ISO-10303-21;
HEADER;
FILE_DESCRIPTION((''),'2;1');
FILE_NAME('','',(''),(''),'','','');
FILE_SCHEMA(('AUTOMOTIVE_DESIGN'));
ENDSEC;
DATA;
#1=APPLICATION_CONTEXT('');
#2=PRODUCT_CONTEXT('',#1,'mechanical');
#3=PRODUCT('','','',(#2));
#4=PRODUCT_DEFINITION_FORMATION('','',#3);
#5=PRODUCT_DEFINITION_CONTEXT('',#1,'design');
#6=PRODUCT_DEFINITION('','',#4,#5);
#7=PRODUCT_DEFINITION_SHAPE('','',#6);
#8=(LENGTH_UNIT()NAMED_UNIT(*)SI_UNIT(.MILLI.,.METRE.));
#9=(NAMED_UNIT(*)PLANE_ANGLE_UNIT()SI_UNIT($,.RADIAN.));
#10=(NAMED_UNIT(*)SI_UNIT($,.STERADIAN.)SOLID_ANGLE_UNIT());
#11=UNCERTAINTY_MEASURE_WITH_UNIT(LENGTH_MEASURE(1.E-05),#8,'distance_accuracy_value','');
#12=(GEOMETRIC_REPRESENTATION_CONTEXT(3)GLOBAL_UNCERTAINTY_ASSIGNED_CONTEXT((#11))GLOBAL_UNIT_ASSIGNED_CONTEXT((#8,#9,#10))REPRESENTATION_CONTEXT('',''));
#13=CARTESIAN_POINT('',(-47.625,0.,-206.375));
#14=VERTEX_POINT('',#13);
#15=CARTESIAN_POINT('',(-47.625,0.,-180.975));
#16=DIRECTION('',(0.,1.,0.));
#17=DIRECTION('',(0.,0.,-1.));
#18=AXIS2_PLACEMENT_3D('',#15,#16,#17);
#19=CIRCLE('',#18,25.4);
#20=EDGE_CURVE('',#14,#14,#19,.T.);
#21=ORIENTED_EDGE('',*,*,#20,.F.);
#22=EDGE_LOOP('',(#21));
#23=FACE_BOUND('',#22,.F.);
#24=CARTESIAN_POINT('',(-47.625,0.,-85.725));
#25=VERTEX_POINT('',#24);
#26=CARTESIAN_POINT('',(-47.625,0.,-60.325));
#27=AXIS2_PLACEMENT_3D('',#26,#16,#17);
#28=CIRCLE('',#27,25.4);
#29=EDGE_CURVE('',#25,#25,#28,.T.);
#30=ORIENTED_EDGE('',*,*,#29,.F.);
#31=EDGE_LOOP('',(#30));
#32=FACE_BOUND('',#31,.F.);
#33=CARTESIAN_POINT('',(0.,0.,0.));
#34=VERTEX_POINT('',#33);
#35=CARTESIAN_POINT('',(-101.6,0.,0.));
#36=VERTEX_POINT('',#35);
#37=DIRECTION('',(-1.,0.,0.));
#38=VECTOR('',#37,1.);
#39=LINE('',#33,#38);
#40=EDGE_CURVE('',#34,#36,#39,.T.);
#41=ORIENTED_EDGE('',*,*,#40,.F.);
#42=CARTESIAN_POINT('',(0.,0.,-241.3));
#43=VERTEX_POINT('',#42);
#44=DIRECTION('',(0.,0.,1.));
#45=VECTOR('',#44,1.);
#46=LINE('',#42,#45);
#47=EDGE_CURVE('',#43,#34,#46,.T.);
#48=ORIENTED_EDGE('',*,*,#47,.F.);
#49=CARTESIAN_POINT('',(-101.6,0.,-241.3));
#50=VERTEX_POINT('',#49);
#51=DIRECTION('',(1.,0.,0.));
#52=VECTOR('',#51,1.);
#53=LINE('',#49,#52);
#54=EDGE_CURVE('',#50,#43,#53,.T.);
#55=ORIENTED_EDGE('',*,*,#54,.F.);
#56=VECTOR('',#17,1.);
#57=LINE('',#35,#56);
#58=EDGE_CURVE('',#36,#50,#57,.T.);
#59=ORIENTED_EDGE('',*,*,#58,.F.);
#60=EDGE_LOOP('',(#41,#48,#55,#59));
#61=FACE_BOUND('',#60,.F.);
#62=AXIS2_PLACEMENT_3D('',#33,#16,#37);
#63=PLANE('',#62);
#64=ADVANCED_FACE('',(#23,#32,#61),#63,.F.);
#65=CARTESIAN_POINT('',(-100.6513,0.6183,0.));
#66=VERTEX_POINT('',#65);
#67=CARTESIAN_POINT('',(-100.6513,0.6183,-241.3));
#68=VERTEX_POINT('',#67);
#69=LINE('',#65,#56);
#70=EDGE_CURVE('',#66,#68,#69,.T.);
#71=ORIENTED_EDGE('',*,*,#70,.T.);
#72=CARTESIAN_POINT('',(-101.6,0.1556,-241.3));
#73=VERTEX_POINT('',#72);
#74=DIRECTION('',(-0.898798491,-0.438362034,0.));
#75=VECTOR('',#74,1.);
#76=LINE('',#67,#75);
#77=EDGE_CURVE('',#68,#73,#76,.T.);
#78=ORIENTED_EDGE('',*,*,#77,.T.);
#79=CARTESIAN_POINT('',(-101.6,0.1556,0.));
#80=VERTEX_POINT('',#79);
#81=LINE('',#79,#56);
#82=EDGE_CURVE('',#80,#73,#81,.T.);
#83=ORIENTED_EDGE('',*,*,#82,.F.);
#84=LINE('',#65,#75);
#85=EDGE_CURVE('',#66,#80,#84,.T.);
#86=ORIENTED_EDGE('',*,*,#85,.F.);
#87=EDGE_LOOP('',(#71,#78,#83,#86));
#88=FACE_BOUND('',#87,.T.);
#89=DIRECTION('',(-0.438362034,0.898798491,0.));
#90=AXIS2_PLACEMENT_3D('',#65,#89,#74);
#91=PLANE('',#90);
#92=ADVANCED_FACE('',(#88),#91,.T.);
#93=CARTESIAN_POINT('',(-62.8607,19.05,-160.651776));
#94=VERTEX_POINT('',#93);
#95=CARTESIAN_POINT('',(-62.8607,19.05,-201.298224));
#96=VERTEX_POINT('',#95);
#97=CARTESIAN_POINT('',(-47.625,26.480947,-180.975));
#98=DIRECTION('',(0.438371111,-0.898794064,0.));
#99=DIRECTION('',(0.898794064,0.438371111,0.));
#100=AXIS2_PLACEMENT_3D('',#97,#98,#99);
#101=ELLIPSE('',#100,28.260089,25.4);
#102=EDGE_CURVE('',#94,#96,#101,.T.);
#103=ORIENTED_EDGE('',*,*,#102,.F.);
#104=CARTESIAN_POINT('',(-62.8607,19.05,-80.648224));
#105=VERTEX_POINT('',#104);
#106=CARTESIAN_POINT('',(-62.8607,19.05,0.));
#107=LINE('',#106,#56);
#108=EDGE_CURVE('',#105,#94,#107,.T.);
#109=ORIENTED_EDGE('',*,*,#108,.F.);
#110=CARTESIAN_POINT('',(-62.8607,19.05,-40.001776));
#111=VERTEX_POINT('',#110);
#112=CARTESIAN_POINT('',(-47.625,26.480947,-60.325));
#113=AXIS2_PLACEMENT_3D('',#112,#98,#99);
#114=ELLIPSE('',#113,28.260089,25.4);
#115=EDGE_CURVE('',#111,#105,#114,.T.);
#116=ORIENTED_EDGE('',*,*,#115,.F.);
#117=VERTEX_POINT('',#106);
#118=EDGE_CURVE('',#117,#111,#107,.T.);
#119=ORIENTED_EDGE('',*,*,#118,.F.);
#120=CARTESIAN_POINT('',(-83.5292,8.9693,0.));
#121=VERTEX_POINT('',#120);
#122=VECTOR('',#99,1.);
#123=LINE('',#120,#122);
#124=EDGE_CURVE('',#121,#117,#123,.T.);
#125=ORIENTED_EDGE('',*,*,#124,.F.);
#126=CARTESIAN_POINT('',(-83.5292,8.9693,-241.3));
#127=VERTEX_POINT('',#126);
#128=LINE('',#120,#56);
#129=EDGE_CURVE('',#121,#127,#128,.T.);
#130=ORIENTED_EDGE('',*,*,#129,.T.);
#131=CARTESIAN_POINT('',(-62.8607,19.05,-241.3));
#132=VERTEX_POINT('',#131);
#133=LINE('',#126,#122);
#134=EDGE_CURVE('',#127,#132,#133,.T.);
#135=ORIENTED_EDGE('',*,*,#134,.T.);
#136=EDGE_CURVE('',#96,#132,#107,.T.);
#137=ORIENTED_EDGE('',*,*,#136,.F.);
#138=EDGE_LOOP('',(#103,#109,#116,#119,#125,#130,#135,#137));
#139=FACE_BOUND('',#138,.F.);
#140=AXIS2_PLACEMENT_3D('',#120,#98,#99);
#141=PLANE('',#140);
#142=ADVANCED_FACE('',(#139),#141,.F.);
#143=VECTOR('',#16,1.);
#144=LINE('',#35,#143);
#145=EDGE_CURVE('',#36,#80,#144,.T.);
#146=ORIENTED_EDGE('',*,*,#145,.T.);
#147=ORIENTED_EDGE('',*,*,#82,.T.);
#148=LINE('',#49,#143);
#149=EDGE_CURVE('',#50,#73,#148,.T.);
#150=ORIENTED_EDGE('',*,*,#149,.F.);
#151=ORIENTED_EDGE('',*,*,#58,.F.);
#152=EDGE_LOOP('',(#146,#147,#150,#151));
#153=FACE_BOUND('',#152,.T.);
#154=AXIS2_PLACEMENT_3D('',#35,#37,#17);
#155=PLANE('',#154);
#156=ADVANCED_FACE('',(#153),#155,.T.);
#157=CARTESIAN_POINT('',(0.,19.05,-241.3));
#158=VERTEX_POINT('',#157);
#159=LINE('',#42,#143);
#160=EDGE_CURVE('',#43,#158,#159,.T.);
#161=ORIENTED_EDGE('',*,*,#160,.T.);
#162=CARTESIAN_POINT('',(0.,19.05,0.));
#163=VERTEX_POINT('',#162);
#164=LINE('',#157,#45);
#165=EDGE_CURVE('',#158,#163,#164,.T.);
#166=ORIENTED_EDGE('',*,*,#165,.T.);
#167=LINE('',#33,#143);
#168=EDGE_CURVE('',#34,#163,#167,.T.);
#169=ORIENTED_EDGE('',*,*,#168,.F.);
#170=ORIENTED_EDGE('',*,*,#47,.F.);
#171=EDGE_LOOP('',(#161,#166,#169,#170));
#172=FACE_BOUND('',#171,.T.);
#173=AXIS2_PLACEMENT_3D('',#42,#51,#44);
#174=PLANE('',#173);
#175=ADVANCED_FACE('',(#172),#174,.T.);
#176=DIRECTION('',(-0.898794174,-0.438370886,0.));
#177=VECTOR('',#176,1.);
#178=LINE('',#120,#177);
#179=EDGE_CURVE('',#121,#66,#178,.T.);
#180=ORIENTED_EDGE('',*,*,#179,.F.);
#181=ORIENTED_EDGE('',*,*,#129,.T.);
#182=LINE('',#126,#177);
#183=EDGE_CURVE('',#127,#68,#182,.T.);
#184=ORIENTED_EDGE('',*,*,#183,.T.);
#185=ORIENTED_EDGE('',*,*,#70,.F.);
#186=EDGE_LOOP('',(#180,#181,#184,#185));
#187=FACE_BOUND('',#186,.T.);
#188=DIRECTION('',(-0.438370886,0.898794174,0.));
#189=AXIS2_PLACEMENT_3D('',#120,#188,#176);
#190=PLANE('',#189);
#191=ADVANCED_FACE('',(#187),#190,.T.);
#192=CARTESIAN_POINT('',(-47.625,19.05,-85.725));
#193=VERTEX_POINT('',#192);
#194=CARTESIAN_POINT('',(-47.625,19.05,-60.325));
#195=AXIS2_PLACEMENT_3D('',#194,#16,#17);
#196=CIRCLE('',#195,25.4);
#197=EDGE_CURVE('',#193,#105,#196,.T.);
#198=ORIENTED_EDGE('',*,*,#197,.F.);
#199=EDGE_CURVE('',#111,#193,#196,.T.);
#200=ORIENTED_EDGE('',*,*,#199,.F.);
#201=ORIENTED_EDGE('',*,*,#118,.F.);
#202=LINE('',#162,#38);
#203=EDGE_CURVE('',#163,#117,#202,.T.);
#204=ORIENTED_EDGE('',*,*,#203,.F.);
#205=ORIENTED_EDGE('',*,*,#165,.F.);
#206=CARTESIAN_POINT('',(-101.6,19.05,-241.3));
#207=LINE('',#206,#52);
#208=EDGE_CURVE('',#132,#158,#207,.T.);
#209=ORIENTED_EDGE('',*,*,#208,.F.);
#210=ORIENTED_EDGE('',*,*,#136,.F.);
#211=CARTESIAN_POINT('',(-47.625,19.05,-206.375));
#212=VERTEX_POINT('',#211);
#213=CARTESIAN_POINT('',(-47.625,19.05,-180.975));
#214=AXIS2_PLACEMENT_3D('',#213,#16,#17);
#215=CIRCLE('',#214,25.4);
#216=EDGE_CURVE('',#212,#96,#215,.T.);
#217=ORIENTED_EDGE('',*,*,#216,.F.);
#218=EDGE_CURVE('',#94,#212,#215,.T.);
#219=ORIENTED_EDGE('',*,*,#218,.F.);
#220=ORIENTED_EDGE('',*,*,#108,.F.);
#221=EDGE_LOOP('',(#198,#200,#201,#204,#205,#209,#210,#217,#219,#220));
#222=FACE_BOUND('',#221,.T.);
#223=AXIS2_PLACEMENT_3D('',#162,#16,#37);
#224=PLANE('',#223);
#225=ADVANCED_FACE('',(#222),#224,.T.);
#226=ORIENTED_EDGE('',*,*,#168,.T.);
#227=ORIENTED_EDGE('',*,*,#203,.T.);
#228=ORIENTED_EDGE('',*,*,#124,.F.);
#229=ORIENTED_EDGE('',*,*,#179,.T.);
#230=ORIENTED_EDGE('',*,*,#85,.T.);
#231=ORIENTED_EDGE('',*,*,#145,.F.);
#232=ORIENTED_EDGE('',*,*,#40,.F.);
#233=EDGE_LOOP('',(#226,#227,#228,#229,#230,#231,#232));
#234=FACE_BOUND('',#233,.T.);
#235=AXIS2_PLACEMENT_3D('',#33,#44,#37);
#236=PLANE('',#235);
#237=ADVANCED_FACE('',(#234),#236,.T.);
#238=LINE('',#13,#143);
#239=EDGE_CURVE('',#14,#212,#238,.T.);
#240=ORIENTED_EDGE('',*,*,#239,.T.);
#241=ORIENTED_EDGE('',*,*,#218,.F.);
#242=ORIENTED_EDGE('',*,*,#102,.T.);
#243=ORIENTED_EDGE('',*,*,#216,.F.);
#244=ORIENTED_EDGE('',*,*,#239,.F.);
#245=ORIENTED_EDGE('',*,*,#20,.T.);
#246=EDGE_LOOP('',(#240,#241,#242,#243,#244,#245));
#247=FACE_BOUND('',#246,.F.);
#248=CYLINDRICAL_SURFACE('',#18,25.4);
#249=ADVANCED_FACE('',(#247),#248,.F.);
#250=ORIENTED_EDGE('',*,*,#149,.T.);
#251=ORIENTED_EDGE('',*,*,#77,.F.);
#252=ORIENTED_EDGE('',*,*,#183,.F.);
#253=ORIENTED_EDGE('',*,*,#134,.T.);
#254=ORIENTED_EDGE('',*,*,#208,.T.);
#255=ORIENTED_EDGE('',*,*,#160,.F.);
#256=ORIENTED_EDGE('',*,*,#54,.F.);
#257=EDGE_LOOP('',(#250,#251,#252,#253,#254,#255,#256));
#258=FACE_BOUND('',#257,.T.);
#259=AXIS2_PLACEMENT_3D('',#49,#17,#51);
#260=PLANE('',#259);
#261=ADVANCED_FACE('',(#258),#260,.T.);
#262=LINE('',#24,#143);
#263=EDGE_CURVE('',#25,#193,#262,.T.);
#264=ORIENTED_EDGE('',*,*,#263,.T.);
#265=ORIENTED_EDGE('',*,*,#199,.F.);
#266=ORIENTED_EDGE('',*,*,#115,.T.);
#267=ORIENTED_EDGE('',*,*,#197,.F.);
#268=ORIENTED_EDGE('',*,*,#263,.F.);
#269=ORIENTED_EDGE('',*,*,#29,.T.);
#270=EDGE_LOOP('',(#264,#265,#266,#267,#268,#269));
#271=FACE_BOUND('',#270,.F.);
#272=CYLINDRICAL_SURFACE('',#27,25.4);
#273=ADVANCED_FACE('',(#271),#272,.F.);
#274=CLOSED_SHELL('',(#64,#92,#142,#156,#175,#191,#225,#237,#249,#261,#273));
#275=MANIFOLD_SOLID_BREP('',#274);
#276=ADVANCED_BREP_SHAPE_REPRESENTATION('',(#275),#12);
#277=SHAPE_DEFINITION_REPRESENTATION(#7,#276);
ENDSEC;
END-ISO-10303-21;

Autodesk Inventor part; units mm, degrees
ref_plane "YZ Plane" through (0, 0, 0) normal (1, 0, 0) x (0, 1, 0)
ref_plane "XZ Plane" through (0, 0, 0) normal (0, 1, 0) x (-1, 0, 0)
ref_plane "XY Plane" through (0, 0, 0) normal (0, 0, 1) x (1, 0, 0)
sketch "Sketch1" plane through (0, 0, 0) normal (0, 1, 0) x (-1, 0, 0)
  line L0 (0, 0) -> (101.6, 0)
  line L1 (101.6, 0) -> (101.6, -241.3)
  line L2 (101.6, -241.3) -> (0, -241.3)
  line L3 (0, -241.3) -> (0, 0)
  dimension "d0" = 101.6
  dimension "d1" = 241.3
extrude "Extrusion1" add sketch "Sketch1" along normal blind 19.05
hole "Hole1" at (-47.625, 0, -180.975) direction (0, 1, 0) diameter 50.8 end through all
hole "Hole2" at (-47.625, 0, -60.325) direction (0, 1, 0) diameter 50.8 end through all
sketch "Sketch3" plane through (-101.6, 0, 0) normal (0, 0, 1) x (1, 0, 0)
  line L0 (18.0708, 8.9693) -> (0.9487, 0.6183) projected
  line L1 (0.9487, 0.6183) -> (0, 0.1556)
  line L2 (0, 0) -> (0, 19.05) projected
  line L3 (18.0708, 8.9693) -> (38.7393, 19.05)
  line L4 (0, 19.05) -> (101.6, 19.05) projected
  line L5 (38.7393, 19.05) -> (0, 19.05)
  point P0 (101.6, 0)
extrude "Extrusion3" cut sketch "Sketch3" against normal blind 241.3
properties part number "top_slant"
